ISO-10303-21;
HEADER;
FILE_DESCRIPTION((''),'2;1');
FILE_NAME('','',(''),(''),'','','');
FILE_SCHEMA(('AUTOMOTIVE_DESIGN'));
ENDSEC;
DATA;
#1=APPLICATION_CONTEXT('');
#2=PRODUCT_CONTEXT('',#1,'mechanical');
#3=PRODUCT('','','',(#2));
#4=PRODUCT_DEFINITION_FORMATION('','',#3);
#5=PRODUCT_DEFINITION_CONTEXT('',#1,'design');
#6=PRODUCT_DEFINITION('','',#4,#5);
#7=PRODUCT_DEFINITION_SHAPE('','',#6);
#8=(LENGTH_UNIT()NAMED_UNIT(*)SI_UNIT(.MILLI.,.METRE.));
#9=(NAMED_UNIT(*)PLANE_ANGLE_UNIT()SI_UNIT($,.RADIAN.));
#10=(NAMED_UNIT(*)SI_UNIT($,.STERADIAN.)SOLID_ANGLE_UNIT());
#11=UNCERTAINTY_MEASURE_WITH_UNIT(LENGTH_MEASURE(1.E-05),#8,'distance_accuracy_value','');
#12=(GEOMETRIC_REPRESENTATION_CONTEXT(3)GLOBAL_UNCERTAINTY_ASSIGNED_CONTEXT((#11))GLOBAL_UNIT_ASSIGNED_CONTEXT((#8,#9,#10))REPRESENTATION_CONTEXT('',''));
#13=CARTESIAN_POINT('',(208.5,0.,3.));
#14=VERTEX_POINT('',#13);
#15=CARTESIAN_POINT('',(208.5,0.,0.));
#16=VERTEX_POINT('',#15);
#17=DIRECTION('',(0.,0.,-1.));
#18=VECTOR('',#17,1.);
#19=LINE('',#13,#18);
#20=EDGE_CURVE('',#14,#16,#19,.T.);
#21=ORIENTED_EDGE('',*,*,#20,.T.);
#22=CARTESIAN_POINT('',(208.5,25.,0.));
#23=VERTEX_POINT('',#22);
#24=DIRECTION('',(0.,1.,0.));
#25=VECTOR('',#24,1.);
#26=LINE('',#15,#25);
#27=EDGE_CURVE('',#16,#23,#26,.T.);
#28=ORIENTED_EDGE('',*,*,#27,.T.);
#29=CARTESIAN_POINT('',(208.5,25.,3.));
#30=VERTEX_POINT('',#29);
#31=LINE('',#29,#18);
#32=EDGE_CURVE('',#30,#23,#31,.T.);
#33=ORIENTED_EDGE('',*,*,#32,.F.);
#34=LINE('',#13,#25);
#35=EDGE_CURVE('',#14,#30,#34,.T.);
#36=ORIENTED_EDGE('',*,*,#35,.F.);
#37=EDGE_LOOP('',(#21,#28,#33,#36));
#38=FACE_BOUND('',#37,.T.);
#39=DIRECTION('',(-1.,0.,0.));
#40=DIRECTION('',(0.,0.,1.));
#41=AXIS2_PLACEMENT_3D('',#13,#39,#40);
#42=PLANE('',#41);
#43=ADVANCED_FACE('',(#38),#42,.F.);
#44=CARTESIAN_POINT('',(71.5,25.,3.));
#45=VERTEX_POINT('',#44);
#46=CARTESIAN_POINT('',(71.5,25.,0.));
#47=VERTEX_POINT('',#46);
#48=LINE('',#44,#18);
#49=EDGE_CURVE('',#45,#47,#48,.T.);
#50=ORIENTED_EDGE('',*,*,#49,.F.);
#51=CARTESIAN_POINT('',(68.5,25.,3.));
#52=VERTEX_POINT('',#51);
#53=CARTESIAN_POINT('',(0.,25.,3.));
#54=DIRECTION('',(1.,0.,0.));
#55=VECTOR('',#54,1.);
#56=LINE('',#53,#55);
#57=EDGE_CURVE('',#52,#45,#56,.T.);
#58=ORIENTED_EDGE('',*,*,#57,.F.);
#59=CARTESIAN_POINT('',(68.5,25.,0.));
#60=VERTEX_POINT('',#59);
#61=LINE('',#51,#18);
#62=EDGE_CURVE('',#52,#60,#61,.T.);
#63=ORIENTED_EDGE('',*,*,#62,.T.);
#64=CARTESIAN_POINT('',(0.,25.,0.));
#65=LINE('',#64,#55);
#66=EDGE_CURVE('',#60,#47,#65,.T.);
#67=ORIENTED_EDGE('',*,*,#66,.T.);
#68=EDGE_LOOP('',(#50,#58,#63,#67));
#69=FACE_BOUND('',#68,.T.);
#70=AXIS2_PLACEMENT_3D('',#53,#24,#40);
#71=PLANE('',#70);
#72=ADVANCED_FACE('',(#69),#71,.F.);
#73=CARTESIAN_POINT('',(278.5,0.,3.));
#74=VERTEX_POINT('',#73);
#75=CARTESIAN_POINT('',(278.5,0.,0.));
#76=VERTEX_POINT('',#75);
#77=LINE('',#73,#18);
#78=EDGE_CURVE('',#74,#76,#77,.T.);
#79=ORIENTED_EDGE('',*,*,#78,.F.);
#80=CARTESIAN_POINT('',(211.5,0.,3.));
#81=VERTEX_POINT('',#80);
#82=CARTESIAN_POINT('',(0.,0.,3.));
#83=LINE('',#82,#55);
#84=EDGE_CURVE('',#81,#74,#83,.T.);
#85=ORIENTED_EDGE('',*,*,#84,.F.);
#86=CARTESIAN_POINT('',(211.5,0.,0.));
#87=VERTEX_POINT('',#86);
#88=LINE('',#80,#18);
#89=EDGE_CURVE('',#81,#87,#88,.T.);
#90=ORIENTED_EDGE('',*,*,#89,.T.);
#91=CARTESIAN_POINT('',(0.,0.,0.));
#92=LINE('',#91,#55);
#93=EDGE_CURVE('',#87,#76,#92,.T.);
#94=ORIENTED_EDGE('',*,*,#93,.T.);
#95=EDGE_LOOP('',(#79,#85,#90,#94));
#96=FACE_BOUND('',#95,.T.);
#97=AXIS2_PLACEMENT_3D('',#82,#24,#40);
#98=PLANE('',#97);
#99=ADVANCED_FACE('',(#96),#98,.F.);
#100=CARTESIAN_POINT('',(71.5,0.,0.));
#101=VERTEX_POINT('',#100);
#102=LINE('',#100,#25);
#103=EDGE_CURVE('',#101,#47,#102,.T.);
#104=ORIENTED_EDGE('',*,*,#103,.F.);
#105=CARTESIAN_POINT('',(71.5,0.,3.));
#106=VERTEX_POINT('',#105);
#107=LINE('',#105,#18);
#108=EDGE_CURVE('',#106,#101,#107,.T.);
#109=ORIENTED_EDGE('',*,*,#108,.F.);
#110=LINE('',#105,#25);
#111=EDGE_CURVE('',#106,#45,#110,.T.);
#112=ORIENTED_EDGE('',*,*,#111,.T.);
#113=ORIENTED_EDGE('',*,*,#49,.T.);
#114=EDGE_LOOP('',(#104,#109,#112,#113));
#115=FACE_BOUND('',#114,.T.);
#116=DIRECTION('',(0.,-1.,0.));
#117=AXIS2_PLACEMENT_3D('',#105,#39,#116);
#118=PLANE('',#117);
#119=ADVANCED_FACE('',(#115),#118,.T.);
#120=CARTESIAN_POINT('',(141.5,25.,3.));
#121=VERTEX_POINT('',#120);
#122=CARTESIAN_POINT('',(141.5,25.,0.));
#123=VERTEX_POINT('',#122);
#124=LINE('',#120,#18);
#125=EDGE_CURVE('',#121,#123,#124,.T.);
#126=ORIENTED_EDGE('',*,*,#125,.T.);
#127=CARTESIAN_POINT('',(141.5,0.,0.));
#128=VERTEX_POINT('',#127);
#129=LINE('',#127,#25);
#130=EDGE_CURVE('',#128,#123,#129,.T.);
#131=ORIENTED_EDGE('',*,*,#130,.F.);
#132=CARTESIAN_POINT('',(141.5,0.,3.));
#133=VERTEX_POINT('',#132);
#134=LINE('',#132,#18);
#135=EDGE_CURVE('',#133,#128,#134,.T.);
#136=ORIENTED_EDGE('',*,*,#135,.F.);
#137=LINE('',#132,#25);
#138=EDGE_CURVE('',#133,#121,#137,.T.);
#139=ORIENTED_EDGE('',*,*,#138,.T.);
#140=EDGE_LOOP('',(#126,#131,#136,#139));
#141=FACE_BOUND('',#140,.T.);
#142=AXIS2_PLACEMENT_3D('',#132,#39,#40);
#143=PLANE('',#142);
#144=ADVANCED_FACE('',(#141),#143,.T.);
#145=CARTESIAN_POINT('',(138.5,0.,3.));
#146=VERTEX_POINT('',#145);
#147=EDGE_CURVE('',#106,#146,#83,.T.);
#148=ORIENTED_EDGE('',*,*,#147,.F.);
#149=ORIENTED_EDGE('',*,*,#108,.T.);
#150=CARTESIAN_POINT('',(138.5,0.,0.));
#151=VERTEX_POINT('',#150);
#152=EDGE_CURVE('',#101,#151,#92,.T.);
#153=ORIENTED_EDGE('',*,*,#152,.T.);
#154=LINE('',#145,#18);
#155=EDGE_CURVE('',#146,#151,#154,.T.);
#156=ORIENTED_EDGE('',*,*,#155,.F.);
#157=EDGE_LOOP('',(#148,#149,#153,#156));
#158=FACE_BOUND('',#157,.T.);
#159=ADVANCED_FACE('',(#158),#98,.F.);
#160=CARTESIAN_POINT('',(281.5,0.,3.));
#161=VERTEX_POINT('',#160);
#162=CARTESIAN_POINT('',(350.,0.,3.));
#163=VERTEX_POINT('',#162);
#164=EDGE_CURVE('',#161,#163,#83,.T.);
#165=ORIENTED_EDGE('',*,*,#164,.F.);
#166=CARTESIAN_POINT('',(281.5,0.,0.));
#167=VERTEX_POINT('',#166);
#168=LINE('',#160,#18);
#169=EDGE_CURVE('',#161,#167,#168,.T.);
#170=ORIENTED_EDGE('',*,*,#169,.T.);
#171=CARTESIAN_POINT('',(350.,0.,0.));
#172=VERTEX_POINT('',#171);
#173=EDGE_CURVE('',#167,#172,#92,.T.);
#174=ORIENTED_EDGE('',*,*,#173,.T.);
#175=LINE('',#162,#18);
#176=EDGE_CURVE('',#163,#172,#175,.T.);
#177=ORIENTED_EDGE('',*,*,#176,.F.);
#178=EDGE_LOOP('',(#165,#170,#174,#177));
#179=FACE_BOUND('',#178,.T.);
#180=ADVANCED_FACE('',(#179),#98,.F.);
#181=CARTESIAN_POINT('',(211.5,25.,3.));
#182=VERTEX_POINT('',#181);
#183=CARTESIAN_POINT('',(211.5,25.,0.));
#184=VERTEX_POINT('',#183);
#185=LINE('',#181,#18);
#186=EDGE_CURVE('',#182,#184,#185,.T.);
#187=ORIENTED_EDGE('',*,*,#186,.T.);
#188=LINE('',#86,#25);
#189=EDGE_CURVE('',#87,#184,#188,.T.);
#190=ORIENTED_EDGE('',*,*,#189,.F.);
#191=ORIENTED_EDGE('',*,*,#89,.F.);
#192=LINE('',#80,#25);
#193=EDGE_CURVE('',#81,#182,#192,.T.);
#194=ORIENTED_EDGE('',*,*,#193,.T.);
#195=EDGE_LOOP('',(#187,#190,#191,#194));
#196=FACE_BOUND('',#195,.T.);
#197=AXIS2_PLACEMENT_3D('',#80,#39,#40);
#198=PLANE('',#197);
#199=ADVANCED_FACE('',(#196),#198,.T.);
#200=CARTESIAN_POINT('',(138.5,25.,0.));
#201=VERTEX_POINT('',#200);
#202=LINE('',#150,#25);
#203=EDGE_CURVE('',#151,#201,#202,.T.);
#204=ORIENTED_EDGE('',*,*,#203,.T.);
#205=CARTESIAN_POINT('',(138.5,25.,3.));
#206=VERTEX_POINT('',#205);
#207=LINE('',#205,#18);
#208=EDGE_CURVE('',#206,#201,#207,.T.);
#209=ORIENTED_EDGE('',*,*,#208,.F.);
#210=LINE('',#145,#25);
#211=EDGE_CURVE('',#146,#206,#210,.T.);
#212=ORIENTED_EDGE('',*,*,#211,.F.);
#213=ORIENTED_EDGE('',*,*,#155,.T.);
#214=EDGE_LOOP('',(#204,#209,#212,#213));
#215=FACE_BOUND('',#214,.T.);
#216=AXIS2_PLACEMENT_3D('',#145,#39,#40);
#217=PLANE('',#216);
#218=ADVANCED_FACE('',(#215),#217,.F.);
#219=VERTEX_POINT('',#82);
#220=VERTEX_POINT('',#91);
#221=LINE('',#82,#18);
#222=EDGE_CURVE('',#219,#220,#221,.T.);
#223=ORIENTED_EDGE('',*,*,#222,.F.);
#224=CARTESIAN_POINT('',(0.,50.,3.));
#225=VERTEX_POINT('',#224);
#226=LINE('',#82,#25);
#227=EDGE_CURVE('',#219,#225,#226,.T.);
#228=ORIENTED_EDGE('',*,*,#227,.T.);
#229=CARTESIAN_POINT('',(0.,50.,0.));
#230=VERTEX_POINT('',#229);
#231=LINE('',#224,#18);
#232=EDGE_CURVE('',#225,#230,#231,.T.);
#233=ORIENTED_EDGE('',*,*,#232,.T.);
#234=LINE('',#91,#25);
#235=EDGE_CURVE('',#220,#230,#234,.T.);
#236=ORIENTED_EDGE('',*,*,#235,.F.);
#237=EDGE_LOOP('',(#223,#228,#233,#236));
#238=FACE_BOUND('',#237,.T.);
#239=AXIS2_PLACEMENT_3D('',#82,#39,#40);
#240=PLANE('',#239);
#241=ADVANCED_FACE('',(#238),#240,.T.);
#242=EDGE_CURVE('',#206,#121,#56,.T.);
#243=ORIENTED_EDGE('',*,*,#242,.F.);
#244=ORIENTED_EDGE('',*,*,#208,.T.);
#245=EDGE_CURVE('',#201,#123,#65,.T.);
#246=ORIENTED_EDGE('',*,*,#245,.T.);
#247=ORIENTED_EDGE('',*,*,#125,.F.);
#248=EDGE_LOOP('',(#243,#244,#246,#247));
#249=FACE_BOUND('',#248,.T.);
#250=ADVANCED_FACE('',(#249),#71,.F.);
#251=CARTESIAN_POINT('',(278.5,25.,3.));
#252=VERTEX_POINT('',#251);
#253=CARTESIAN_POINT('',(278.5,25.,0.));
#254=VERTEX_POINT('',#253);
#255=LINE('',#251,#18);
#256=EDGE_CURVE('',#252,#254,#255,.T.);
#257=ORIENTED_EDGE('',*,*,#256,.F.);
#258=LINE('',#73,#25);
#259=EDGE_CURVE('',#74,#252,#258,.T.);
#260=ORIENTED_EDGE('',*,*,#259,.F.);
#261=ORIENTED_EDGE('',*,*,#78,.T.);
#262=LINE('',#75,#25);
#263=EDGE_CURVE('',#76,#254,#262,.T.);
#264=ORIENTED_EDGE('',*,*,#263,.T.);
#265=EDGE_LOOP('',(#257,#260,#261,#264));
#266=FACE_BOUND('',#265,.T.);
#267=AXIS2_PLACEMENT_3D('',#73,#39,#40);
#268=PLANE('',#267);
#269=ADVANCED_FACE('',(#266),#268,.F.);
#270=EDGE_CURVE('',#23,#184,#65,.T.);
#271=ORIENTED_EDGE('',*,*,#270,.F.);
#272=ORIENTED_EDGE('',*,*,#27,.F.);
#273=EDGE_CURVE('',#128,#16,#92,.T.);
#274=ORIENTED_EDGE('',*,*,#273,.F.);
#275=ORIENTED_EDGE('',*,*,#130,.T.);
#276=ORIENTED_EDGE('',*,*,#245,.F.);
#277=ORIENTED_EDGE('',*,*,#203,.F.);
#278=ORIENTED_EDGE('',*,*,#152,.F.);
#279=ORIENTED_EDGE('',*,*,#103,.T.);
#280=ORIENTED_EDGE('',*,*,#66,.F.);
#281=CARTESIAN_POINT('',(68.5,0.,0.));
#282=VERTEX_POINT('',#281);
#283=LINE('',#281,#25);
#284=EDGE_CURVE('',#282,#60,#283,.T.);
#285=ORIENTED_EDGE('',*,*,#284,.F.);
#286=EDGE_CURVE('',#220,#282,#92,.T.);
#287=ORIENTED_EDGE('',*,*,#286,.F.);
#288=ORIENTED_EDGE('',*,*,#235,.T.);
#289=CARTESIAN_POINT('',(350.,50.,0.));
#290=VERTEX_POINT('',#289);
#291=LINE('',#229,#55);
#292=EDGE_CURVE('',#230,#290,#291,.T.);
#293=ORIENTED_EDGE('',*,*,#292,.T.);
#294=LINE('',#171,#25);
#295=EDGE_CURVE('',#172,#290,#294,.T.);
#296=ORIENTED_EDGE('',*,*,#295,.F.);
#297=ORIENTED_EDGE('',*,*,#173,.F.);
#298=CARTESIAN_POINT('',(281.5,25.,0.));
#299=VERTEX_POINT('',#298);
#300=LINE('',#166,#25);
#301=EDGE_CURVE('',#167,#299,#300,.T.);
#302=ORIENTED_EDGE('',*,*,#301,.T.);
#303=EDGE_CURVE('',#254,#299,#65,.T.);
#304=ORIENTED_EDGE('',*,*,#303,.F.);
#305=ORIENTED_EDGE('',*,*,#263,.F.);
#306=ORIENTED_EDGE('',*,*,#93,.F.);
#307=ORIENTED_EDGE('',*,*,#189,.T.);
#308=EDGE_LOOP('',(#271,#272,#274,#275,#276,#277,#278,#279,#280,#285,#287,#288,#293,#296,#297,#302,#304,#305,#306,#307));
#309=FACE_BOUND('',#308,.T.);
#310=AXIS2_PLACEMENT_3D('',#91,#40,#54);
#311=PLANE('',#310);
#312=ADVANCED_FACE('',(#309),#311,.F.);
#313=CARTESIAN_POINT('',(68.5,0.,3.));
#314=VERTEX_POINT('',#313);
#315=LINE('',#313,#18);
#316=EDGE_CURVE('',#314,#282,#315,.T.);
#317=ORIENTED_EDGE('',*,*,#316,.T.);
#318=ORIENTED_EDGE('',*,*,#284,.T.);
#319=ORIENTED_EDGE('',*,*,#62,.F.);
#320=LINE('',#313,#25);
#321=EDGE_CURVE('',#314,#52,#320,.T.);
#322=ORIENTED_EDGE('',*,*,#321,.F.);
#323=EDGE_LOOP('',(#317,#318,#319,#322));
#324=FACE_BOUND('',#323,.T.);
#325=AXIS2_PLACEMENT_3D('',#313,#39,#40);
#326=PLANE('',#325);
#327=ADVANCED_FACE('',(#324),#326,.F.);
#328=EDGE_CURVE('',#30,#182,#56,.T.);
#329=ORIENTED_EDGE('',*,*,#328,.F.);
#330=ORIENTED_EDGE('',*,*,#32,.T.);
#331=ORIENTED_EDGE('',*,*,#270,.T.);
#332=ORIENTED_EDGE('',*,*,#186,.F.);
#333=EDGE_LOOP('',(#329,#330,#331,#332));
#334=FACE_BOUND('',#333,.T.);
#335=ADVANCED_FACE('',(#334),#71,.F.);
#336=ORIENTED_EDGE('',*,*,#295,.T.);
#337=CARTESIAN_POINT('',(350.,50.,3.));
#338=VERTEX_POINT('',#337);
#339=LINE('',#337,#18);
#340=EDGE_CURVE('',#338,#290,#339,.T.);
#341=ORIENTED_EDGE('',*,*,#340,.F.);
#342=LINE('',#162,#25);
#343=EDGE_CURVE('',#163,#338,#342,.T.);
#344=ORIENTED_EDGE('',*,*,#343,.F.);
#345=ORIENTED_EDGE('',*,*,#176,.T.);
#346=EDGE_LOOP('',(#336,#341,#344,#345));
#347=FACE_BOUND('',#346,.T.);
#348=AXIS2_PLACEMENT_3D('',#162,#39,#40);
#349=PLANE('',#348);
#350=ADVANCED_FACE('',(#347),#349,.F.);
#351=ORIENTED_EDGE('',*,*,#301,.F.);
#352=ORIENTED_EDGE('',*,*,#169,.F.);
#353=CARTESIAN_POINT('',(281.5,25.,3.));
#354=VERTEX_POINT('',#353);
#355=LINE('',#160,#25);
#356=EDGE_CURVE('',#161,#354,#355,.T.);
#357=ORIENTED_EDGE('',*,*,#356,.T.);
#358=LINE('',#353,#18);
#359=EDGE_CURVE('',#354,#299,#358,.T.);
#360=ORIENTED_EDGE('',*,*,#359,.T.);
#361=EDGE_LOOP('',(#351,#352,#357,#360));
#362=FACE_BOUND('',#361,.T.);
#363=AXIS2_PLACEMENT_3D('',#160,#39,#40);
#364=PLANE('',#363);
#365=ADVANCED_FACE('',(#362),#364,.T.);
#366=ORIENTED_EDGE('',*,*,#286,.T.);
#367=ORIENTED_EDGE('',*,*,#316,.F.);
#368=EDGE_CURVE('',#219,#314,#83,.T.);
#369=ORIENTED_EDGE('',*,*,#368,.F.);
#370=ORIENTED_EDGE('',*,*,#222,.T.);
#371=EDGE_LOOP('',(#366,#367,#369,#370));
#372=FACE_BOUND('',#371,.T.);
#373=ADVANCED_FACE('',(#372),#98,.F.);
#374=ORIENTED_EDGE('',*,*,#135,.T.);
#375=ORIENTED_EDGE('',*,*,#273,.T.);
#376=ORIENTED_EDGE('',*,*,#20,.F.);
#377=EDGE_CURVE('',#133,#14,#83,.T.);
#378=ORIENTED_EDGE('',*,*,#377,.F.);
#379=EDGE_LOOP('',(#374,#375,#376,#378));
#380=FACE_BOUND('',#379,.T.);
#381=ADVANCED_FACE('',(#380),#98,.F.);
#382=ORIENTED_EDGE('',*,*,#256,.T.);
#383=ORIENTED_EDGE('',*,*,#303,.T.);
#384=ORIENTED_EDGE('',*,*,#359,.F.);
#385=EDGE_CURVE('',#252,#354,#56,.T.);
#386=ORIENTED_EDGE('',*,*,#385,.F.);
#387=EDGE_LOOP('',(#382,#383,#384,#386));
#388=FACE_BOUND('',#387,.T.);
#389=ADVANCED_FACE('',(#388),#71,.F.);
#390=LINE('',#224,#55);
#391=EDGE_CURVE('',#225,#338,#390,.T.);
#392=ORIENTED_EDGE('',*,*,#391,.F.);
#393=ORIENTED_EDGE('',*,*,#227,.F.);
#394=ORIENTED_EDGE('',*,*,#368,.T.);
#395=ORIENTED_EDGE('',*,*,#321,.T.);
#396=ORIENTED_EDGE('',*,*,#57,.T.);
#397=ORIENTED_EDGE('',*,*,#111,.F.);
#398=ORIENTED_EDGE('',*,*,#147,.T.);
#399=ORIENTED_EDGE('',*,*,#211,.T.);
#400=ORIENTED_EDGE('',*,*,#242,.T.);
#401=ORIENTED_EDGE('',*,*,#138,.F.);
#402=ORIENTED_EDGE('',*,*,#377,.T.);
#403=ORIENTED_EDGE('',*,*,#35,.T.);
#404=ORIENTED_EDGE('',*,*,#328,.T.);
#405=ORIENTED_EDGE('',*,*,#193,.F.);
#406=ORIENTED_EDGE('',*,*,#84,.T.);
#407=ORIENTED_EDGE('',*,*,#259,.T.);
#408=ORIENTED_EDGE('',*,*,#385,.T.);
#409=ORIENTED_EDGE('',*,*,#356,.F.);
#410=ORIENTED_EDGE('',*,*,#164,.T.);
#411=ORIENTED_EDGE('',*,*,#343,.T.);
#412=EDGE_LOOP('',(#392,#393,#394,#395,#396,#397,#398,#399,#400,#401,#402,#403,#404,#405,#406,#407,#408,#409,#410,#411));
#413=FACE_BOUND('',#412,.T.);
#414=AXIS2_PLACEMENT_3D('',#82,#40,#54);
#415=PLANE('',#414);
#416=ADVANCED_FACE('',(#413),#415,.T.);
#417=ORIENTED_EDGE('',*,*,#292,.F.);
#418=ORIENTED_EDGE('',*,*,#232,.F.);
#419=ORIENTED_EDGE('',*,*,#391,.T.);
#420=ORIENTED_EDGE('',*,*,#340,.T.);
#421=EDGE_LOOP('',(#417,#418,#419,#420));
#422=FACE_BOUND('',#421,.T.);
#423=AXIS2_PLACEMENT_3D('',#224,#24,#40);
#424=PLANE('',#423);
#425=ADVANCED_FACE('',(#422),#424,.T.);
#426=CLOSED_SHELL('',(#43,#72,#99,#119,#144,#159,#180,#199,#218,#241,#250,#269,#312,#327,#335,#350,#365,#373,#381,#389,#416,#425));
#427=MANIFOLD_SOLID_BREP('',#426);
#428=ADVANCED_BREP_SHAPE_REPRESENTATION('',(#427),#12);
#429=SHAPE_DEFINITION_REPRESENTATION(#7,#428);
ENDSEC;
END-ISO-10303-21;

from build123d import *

# Parameters (mm, degrees)
BOSS_EXTRUDE3_DEPTH = 3


with BuildPart() as part:
    # Sketch1 → Boss-Extrude3 (new body)
    with BuildSketch(Plane.XY):
        Polygon((0, 50), (0, 0), (68.5, 0), (68.5, 25), (71.5, 25), (71.5, 0), (138.5, 0), (138.5, 25), (141.5, 25), (141.5, 0), (208.5, 0), (208.5, 25), (211.5, 25), (211.5, 0), (278.5, 0), (278.5, 25), (281.5, 25), (281.5, 0), (350, 0), (350, 50), align=None)
    extrude(amount=BOSS_EXTRUDE3_DEPTH)


solid = part.part
